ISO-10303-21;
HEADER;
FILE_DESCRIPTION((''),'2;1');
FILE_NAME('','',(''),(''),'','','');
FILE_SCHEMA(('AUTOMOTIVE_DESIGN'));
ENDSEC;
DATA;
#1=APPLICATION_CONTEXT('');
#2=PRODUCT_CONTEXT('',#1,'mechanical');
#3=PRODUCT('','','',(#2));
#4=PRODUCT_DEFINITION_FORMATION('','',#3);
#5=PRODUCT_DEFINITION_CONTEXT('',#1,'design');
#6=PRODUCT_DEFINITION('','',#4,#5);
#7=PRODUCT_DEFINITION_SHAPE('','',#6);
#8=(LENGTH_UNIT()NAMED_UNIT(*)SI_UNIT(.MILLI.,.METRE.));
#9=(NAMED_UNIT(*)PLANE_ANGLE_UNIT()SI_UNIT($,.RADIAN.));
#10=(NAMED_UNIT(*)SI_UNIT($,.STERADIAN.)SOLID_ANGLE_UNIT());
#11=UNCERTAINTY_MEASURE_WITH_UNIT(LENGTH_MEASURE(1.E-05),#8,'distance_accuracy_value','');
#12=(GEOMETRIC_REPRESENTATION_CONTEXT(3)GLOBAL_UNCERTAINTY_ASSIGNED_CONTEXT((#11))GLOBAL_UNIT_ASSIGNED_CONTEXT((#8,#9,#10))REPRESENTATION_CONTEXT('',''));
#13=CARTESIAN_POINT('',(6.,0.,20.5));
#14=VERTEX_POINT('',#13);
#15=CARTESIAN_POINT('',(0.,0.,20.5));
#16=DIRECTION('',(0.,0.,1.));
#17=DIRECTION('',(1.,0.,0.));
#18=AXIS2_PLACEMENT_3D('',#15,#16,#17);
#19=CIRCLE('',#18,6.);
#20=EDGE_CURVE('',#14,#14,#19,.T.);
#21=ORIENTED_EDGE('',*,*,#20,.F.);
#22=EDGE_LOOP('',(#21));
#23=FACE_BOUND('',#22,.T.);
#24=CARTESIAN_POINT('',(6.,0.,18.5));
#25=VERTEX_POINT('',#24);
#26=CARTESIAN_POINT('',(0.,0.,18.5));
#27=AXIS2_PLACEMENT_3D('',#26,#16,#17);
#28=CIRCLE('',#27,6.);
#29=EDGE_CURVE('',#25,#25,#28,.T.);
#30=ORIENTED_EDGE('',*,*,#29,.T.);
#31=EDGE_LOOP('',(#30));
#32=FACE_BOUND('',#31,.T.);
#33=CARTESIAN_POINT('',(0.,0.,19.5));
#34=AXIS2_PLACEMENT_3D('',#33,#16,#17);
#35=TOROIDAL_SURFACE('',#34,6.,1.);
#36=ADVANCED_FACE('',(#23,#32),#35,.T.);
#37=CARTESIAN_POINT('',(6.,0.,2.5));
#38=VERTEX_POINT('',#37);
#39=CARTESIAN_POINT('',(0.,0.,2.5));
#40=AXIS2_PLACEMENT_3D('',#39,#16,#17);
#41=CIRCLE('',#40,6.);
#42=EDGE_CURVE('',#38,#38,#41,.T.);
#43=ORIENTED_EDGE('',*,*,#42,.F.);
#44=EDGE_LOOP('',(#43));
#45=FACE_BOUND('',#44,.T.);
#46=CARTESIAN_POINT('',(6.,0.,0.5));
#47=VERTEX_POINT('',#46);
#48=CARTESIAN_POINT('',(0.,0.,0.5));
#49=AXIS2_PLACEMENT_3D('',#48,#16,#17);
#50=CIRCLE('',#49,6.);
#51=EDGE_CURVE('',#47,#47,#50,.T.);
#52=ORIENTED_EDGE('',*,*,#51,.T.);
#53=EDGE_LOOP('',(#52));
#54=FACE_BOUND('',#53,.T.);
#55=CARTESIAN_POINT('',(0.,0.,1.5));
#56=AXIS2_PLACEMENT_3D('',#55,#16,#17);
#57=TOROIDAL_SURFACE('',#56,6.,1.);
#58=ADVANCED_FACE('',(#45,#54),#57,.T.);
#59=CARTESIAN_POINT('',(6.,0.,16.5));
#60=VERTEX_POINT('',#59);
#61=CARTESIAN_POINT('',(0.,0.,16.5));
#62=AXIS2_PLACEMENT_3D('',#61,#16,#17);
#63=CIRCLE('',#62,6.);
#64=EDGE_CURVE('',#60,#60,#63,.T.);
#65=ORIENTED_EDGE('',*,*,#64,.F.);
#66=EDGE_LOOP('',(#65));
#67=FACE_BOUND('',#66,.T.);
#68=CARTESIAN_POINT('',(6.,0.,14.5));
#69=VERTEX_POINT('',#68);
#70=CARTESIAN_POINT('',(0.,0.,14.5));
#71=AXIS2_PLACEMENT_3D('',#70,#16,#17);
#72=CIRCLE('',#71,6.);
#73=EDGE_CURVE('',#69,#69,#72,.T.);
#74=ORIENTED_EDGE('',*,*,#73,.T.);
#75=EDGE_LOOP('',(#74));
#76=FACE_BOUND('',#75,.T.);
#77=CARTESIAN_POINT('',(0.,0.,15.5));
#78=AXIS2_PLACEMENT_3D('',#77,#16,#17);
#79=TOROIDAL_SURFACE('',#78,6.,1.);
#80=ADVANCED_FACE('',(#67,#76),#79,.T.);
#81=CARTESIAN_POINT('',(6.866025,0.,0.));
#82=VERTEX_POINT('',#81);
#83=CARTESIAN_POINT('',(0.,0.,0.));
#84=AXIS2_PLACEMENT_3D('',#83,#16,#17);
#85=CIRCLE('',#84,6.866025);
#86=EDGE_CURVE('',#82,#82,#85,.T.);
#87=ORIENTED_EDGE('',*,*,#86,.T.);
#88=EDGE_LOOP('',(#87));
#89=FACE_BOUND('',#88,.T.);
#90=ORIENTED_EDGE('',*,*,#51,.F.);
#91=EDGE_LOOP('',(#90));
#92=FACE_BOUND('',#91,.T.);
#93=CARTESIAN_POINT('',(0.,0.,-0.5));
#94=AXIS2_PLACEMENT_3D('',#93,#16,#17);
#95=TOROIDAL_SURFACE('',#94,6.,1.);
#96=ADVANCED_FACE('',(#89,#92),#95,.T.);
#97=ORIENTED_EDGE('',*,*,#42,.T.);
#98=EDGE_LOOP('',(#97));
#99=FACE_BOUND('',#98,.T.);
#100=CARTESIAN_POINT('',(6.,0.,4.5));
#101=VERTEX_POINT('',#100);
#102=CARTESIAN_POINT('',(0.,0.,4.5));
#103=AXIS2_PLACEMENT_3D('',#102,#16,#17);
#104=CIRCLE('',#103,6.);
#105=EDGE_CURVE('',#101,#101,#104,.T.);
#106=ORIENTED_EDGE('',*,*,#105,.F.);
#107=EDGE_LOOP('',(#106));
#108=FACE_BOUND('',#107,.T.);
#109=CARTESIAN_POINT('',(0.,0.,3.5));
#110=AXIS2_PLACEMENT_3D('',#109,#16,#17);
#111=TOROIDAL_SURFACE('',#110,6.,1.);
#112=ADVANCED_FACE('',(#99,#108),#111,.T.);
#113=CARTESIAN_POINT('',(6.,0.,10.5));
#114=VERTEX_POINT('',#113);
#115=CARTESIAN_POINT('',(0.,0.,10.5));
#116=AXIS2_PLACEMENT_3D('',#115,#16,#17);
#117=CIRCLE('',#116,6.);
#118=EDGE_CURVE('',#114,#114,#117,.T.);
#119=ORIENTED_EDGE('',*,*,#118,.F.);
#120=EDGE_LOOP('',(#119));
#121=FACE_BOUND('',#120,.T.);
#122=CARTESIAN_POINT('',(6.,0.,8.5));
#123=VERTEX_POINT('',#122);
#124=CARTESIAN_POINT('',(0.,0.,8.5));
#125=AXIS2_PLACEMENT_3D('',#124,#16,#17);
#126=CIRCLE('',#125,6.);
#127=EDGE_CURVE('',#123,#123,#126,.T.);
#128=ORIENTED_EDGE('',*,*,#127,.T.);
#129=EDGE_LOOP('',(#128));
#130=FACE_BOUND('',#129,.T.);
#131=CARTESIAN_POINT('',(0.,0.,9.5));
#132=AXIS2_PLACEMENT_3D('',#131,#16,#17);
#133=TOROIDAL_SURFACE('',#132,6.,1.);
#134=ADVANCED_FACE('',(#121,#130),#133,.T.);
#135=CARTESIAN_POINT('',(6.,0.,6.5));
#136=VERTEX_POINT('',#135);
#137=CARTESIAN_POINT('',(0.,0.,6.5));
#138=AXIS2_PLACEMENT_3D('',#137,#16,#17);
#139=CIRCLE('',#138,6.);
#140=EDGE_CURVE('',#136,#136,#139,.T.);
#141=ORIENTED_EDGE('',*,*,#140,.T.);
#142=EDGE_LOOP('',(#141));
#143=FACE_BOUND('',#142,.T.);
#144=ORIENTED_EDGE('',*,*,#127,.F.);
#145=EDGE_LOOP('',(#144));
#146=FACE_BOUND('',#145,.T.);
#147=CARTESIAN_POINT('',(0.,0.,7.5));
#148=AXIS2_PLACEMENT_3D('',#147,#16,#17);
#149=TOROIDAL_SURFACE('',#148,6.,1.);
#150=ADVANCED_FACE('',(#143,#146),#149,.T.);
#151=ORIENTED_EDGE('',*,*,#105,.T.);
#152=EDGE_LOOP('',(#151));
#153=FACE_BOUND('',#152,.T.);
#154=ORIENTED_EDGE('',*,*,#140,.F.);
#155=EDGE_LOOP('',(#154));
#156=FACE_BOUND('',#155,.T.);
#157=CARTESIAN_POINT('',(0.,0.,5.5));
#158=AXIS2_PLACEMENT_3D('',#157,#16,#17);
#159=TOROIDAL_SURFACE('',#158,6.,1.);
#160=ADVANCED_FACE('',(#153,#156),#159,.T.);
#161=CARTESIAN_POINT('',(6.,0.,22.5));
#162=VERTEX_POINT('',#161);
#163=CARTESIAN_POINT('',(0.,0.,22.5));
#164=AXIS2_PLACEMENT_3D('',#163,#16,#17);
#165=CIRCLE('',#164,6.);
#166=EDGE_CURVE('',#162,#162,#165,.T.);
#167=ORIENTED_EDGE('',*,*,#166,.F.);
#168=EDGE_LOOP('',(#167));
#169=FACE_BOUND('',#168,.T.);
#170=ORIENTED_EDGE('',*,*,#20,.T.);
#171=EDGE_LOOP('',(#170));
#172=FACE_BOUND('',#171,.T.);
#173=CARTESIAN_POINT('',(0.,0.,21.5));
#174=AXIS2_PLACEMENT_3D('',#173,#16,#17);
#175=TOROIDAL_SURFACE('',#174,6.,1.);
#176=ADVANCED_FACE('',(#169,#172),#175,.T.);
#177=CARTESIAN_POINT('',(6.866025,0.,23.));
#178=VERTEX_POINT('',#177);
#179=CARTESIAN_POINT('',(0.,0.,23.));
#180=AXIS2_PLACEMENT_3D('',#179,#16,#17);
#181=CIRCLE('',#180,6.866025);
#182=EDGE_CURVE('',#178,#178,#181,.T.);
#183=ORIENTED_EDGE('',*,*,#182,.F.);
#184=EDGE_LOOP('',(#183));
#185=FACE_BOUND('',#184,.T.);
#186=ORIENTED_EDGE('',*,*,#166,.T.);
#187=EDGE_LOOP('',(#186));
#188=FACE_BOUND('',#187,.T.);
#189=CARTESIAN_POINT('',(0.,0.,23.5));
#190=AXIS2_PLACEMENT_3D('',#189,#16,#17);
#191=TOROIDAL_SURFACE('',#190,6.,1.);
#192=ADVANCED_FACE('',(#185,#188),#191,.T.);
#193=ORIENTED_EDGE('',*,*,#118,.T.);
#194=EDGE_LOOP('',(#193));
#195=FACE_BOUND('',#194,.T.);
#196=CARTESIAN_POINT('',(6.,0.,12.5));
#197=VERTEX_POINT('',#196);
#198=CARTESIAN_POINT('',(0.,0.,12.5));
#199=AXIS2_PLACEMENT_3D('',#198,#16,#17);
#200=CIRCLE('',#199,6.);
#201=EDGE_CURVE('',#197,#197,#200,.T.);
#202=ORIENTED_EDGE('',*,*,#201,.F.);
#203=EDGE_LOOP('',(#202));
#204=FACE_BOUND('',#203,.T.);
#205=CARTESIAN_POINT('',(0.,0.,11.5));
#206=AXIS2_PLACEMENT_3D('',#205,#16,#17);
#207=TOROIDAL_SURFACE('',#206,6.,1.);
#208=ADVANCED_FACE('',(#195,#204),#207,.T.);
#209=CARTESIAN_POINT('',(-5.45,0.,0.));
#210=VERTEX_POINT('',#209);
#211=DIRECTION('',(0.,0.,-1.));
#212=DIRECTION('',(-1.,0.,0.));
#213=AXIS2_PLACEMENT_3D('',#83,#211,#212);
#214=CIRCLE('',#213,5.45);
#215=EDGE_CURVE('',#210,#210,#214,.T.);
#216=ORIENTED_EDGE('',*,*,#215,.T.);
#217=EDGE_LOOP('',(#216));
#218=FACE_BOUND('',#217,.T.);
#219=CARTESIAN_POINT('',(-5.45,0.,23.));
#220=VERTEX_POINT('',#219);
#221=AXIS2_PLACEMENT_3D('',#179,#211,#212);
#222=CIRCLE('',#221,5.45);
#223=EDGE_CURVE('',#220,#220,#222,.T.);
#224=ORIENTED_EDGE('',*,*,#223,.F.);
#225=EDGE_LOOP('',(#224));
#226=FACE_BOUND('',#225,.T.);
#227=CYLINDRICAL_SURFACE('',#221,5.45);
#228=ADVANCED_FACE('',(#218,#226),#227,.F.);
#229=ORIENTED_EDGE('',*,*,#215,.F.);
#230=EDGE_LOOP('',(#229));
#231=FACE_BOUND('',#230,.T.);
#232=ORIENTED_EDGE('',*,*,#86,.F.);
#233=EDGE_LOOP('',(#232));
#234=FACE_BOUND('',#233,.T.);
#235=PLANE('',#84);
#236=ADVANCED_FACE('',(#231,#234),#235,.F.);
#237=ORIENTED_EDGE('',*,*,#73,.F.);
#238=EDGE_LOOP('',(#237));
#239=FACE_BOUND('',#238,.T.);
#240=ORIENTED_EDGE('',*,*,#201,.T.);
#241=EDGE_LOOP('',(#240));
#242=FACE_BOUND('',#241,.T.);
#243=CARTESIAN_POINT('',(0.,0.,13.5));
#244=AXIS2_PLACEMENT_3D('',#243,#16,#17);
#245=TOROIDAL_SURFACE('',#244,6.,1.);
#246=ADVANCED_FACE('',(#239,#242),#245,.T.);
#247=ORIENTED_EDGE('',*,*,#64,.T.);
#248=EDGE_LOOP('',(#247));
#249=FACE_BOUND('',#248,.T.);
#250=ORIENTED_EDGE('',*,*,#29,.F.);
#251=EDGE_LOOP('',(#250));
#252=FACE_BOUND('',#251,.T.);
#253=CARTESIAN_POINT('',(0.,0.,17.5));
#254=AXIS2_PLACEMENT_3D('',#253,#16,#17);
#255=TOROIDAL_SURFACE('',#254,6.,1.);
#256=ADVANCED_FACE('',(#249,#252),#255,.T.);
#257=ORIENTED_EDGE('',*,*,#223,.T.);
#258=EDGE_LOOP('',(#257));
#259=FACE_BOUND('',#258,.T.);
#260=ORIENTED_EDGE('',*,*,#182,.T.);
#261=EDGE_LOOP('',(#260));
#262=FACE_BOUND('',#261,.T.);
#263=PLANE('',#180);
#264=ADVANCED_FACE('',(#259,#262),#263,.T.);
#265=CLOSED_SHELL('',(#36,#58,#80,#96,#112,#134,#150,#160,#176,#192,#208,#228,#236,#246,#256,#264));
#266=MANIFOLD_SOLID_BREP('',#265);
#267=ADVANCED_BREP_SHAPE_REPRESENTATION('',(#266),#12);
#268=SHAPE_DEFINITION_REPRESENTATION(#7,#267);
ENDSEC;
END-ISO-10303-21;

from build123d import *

# Parameters (mm, degrees)
SKETCH1_R           = 7
BOSS_EXTRUDE1_DEPTH = 23
SKETCH2_R           = 5.4
CUT_EXTRUDE1_DEPTH  = 2
SKETCH3_R           = 5.45
CUT_EXTRUDE2_DEPTH  = 26.039968051


with BuildPart() as part:
    # Sketch1 → Boss-Extrude1 (new body)
    with BuildSketch(Plane.XY):
        Circle(SKETCH1_R)
    extrude(amount=BOSS_EXTRUDE1_DEPTH)

    # Sketch2 → Cut-Extrude1 (cut)
    with BuildSketch(Plane.XY.offset(23)):
        Circle(SKETCH2_R)
    extrude(amount=-CUT_EXTRUDE1_DEPTH, mode=Mode.SUBTRACT)

    # Sketch3 → Cut-Extrude2 (cut, through all)
    with BuildSketch(Plane(origin=(0, 0, 0), x_dir=(-1, 0, 0), z_dir=(0, 0, -1))):
        Circle(SKETCH3_R)
    extrude(amount=-CUT_EXTRUDE2_DEPTH, mode=Mode.SUBTRACT)

    # Sketch6 → Cut-Revolve1 (revolve, cut)
    with BuildSketch(Plane(origin=(0, 0, 0), x_dir=(1, 0, 0), z_dir=(0, 1, 0))):
        with BuildLine():
            Line((6.866025404, -23), (7.682640522, -23))
            Line((7.682640522, -23), (7.682640522, 0))
            Line((7.682640522, 0), (6.866025404, 0))
            ThreePointArc((6.866025404, 0), (6.5, -0.366025404), (6, -0.5))
            ThreePointArc((6, -0.5), (7, -1.5), (6, -2.5))
            ThreePointArc((6, -2.5), (7, -3.5), (6, -4.5))
            ThreePointArc((6, -4.5), (7, -5.5), (6, -6.5))
            ThreePointArc((6, -6.5), (7, -7.5), (6, -8.5))
            ThreePointArc((6, -8.5), (7, -9.5), (6, -10.5))
            ThreePointArc((6, -10.5), (7, -11.5), (6, -12.5))
            ThreePointArc((6, -12.5), (7, -13.5), (6, -14.5))
            ThreePointArc((6, -14.5), (7, -15.5), (6, -16.5))
            ThreePointArc((6, -16.5), (7, -17.5), (6, -18.5))
            ThreePointArc((6, -18.5), (7, -19.5), (6, -20.5))
            ThreePointArc((6, -20.5), (7, -21.5), (6, -22.5))
            ThreePointArc((6, -22.5), (6.5, -22.633974596), (6.866025404, -23))
        make_face()
    revolve(axis=Axis((0, 0, 23), (0, 0, -1)), mode=Mode.SUBTRACT)


solid = part.part
